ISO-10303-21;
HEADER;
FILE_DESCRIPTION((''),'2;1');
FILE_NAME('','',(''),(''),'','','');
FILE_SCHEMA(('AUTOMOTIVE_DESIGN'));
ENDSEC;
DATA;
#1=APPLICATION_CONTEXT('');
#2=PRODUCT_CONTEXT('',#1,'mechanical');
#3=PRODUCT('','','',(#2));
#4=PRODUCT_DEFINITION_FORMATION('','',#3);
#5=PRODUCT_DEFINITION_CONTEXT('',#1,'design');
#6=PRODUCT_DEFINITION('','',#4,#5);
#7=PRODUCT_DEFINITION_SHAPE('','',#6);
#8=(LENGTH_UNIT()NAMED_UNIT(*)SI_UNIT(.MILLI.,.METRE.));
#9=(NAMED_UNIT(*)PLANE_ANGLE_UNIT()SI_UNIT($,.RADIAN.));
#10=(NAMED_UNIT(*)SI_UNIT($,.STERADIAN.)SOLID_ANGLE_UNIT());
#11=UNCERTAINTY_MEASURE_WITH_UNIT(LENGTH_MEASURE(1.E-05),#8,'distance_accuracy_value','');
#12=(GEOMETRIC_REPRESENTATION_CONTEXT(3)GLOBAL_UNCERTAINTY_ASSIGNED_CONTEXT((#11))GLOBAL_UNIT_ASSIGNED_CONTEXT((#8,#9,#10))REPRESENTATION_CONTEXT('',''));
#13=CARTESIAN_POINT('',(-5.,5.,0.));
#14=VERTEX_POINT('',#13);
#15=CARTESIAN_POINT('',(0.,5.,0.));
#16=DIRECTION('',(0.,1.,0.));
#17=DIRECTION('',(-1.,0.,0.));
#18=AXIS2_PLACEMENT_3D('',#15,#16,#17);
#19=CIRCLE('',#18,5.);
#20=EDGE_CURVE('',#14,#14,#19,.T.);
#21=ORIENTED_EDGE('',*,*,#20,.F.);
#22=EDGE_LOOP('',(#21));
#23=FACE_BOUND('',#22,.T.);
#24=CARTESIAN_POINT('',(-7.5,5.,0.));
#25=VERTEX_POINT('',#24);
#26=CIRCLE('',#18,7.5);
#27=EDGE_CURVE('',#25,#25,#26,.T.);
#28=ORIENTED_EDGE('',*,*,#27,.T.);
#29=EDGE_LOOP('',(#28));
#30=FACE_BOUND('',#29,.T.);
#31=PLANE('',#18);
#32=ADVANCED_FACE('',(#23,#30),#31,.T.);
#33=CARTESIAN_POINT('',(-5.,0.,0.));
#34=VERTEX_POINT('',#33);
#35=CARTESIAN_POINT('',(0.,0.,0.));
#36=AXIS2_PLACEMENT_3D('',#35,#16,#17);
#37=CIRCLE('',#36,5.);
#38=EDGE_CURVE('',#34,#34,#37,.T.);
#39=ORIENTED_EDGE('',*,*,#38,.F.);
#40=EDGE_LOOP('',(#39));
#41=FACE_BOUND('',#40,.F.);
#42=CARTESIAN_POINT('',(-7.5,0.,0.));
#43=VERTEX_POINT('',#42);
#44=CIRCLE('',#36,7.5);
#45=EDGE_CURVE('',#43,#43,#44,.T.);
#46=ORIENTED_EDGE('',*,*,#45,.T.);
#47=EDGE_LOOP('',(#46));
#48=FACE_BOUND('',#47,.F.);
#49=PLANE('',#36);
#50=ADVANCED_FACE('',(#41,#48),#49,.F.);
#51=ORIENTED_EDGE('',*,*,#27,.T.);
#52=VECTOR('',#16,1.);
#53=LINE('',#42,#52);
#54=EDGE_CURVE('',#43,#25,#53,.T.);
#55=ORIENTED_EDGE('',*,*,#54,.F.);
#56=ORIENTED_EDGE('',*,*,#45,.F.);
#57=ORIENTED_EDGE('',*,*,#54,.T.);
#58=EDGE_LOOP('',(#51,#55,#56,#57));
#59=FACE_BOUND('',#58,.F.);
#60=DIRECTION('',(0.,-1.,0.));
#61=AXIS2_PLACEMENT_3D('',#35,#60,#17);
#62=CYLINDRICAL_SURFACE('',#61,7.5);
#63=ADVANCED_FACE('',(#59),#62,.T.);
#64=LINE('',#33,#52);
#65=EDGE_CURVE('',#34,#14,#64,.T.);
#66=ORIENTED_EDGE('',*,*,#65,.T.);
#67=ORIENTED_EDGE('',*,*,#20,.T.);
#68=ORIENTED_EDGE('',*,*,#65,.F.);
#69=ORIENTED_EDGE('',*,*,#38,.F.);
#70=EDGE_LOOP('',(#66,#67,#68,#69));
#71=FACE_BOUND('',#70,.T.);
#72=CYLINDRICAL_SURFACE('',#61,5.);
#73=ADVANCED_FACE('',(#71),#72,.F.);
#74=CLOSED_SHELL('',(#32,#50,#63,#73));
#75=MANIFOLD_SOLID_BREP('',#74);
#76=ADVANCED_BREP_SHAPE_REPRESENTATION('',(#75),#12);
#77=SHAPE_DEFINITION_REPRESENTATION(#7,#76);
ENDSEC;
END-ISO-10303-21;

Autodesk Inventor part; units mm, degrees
ref_plane "YZ Plane" through (0, 0, 0) normal (1, 0, 0) x (0, 1, 0)
ref_plane "XZ Plane" through (0, 0, 0) normal (0, 1, 0) x (-1, 0, 0)
ref_plane "XY Plane" through (0, 0, 0) normal (0, 0, 1) x (1, 0, 0)
sketch "Sketch1" plane through (0, 0, 0) normal (0, 1, 0) x (-1, 0, 0)
  circle A0 centre (0, 0) radius 7.5
  circle A1 centre (0, 0) radius 5
extrude "Extrusion1" add sketch "Sketch1" along normal blind 5
properties part number "Mur Sendi Capit"
